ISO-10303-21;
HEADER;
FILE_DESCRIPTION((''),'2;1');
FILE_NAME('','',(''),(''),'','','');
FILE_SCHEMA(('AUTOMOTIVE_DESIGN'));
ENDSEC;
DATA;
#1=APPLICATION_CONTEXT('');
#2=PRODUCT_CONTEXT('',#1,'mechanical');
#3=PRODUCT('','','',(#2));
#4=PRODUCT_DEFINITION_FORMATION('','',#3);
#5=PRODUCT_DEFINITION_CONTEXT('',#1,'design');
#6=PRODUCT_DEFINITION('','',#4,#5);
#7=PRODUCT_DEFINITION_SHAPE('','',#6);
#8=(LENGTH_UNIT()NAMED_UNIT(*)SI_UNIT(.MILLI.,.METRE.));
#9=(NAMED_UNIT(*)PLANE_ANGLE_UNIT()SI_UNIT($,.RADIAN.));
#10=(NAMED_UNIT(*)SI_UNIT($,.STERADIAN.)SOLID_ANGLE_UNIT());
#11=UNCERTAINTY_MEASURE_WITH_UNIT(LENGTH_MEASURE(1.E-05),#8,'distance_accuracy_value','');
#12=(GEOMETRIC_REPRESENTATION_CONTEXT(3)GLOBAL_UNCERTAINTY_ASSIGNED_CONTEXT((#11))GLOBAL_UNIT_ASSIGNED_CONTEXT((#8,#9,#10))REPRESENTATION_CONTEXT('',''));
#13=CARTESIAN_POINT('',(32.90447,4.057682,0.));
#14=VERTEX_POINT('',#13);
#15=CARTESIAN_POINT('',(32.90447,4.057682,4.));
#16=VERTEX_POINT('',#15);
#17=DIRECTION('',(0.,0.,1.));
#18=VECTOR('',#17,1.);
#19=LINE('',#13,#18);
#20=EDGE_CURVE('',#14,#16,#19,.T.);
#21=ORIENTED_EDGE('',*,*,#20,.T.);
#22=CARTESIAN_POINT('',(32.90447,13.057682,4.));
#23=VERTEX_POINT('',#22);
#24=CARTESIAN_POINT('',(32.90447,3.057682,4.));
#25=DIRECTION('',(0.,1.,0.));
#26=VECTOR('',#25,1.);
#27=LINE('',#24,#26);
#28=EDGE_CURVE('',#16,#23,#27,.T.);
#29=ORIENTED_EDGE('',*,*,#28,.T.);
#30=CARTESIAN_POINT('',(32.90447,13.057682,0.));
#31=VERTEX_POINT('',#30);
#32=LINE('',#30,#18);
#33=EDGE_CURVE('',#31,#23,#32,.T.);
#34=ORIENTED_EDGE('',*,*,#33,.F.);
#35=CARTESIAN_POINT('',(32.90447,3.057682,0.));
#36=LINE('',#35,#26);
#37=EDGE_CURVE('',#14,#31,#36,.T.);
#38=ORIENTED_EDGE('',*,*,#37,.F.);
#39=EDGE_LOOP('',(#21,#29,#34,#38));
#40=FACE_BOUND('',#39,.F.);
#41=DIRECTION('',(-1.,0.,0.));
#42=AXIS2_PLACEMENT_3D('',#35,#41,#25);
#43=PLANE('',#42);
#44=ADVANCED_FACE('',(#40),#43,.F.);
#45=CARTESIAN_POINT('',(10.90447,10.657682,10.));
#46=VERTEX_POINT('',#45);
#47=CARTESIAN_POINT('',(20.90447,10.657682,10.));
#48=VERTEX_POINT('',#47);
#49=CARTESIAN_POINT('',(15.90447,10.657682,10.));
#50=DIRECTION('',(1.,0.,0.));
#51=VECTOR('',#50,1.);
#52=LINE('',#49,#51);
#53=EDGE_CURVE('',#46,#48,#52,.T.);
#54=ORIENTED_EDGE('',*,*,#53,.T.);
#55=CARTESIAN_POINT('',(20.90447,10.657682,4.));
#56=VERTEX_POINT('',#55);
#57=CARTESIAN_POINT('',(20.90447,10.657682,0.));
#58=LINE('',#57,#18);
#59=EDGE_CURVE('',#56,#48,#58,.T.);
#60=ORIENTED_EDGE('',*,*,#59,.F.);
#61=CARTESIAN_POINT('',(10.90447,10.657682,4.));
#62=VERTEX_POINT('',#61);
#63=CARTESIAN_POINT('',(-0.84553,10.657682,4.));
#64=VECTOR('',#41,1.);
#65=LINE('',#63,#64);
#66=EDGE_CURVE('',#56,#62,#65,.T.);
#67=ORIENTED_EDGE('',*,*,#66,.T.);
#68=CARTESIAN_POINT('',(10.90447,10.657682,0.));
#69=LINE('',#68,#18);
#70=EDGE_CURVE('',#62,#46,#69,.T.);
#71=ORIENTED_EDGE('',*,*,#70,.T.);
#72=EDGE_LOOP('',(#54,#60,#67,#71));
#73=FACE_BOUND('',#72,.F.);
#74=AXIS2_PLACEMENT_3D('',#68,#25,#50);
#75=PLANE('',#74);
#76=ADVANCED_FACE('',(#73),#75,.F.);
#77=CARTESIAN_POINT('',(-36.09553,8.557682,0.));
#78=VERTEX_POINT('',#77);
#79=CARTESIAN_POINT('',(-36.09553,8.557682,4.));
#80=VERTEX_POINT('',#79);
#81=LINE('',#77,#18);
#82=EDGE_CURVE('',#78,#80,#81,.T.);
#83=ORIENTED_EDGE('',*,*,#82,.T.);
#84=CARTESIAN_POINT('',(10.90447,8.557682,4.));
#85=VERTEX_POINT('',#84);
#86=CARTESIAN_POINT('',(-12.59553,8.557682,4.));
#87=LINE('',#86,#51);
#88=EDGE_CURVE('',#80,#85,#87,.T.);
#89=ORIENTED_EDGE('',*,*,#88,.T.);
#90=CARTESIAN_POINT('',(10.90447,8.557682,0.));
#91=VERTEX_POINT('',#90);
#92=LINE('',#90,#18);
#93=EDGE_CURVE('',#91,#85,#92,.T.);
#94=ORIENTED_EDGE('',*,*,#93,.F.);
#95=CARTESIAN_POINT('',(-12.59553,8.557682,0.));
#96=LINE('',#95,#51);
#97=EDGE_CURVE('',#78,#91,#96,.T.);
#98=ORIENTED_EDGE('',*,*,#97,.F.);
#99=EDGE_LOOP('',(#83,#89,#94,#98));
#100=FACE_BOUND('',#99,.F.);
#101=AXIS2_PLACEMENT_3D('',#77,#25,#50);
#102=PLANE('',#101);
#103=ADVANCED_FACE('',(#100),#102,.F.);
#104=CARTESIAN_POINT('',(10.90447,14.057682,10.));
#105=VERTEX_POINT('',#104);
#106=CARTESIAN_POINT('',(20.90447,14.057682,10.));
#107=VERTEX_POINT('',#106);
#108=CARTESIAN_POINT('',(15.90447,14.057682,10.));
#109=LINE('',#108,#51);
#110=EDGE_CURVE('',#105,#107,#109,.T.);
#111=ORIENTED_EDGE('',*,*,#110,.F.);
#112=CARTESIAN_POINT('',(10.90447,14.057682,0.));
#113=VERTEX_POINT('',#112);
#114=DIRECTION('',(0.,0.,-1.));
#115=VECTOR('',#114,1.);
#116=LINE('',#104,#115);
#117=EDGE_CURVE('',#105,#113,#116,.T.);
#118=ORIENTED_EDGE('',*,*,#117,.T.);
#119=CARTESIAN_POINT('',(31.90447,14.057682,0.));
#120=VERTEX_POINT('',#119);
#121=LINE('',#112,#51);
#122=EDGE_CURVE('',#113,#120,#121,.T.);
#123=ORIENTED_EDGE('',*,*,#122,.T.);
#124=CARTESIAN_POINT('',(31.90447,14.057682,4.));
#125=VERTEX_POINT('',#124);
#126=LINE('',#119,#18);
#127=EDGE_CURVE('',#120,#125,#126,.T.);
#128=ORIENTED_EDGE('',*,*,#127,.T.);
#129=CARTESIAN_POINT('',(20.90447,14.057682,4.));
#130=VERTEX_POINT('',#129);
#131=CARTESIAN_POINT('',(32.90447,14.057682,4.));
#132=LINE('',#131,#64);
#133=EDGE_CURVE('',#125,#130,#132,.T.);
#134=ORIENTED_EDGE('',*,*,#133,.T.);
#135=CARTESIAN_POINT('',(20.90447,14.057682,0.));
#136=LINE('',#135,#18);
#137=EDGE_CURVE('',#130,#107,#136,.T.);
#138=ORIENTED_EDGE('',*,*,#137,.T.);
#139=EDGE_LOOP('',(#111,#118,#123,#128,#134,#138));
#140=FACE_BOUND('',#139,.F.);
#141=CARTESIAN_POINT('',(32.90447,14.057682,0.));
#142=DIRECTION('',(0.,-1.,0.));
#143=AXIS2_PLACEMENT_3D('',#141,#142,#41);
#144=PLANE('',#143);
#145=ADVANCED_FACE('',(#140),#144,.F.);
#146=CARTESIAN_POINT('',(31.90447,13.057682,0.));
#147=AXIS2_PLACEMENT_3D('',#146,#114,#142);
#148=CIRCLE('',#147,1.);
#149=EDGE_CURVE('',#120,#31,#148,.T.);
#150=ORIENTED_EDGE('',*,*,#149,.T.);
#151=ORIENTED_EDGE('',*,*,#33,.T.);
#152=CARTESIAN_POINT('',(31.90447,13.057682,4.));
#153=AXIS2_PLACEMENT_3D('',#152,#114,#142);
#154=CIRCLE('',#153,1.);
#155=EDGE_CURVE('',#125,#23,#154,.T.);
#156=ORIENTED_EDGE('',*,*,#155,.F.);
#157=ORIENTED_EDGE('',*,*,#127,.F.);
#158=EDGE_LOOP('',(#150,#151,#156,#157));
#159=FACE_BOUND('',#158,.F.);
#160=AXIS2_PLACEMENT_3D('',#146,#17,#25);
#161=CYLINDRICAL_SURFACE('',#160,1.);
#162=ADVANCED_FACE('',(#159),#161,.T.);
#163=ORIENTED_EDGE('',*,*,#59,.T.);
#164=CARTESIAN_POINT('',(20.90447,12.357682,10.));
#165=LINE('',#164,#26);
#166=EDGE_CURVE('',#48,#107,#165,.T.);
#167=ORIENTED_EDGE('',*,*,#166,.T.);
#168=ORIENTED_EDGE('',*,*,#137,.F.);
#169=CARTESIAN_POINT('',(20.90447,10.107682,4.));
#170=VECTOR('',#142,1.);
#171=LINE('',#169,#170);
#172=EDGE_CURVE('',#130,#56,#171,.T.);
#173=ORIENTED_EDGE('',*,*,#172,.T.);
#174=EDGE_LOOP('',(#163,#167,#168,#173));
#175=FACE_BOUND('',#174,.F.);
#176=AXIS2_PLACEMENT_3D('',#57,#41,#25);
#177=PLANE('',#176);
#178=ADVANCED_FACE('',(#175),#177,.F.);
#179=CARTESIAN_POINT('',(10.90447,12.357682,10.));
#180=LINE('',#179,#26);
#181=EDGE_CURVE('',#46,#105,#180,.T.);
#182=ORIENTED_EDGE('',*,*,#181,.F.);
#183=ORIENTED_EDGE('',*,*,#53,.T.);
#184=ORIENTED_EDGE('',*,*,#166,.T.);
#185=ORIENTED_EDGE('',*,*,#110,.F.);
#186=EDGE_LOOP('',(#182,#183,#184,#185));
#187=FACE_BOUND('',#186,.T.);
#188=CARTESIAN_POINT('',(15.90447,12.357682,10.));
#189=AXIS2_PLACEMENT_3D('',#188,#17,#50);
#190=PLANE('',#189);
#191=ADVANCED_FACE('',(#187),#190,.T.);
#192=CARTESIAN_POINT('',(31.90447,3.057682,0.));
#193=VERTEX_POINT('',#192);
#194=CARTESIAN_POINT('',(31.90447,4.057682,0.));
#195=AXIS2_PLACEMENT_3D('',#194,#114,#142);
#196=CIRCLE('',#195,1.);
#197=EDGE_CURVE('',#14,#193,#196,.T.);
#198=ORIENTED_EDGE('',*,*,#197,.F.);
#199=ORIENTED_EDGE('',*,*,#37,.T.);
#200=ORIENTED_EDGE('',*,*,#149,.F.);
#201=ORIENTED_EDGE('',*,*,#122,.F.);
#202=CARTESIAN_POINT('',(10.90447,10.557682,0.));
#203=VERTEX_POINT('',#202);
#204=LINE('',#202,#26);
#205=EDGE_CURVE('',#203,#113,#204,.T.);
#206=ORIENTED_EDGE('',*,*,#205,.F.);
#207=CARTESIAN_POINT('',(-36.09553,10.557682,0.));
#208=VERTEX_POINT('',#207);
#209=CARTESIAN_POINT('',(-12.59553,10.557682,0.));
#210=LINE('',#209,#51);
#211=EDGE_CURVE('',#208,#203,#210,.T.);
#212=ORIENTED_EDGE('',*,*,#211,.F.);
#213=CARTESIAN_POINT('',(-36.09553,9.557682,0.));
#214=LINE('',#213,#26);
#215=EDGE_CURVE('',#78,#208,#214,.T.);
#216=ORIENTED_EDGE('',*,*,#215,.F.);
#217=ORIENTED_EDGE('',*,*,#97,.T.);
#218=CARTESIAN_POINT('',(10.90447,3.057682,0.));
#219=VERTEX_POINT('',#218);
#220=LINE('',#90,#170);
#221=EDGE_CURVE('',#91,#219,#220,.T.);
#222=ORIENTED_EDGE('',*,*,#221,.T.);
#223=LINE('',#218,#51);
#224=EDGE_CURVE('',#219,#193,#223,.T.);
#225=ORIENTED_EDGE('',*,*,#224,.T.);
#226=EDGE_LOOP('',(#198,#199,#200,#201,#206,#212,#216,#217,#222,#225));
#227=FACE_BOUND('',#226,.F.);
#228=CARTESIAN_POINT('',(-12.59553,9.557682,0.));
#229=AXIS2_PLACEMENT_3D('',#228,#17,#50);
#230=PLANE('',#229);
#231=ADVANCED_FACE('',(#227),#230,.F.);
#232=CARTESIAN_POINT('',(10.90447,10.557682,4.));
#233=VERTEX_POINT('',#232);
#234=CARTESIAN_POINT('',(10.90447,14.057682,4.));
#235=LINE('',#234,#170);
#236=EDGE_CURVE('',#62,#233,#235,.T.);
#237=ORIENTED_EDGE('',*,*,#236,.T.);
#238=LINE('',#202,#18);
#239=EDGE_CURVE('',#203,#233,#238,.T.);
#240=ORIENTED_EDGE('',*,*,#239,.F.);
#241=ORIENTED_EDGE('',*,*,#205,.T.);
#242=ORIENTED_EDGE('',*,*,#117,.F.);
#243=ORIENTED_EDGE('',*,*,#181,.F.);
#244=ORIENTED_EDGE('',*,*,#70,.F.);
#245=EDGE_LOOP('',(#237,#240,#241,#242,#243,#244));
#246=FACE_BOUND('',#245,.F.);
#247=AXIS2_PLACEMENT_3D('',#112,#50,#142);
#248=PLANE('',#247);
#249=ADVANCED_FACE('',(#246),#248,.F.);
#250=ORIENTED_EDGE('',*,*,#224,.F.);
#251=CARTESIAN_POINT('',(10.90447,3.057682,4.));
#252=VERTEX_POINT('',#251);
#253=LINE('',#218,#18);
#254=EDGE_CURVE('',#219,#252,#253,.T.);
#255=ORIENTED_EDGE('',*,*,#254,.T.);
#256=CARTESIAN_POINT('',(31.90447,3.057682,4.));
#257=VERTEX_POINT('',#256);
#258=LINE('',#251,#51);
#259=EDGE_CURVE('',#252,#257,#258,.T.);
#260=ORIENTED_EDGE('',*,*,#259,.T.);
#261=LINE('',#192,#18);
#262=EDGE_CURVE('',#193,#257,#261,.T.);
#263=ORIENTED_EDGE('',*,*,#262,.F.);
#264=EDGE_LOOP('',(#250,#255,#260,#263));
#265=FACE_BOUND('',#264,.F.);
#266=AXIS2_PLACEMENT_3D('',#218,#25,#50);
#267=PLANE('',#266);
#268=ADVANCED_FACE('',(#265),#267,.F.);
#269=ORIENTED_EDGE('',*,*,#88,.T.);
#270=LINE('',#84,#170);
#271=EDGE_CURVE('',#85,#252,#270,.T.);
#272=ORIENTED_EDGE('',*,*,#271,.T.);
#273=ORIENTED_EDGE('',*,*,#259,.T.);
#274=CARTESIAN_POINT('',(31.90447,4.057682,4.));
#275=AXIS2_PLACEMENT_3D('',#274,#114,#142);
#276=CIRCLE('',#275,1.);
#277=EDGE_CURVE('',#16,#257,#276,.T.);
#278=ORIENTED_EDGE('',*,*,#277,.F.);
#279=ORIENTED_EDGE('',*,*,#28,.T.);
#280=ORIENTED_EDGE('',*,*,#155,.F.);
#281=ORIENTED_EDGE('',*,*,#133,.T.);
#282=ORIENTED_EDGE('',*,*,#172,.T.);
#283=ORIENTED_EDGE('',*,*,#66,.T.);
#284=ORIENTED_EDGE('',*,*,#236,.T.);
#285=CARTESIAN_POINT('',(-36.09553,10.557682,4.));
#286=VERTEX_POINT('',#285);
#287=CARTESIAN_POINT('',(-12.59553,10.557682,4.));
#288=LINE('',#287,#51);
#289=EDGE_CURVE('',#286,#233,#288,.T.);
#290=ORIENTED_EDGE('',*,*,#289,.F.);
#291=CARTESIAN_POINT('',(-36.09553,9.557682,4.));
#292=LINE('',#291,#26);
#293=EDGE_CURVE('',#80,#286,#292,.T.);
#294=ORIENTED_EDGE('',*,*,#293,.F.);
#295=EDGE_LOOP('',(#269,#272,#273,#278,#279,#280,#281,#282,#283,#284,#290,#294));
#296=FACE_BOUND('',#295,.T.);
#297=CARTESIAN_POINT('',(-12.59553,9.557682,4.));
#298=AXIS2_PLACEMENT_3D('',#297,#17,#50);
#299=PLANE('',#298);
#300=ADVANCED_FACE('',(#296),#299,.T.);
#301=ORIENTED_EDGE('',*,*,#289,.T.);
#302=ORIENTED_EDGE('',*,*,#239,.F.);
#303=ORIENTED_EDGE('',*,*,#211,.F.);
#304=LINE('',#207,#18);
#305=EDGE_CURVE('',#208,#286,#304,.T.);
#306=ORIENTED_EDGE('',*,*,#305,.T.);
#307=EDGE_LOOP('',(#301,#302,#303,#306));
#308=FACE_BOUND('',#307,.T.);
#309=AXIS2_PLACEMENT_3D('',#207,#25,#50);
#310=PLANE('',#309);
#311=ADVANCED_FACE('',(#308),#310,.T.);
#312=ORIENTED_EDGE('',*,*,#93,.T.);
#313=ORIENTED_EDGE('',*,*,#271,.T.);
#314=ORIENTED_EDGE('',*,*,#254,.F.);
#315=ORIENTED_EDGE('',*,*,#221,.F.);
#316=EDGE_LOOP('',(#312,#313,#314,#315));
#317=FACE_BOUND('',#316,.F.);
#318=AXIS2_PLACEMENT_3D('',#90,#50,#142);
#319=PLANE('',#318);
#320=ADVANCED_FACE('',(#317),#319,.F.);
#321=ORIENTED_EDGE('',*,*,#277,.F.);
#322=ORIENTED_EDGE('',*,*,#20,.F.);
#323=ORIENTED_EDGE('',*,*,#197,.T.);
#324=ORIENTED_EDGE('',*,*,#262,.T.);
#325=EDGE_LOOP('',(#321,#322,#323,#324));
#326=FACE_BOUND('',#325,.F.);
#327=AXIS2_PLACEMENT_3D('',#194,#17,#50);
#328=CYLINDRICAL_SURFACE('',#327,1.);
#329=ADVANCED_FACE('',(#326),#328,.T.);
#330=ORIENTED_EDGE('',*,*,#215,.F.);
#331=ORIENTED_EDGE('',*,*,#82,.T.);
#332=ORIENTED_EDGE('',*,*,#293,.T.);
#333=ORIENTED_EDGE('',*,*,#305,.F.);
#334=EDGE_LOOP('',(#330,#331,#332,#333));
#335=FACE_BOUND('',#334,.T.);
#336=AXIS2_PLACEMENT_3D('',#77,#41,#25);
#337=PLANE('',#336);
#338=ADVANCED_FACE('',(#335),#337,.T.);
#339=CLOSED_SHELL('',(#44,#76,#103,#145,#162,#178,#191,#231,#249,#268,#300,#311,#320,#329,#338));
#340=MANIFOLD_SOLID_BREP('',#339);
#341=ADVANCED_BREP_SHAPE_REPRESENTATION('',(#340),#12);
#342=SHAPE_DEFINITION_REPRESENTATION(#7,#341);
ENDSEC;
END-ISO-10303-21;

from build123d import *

# Parameters (mm, degrees)
F0_W     = 47
F0_H     = 2
F0_W_2   = 10
F0_H_2   = 3.4
F1_DEPTH = 4
F2_DEPTH = 10
F3_R     = 1


with BuildPart() as f1:
    # F0 (on Top) → F1 (new body)
    with BuildSketch(Plane.XY):
        with Locations((-12.59553, 9.557682)):
            Rectangle(F0_W, F0_H)
        Polygon((10.90447, 10.657682), (10.90447, 10.557682), (10.90447, 8.557682), (10.90447, 3.057682), (32.90447, 3.057682), (32.90447, 14.057682), (20.90447, 14.057682), (20.90447, 10.657682), align=None)
        with Locations((15.90447, 12.357682)):
            Rectangle(F0_W_2, F0_H_2)
    extrude(amount=F1_DEPTH)

    # F0 (on Top) → F2 (join)
    with BuildSketch(Plane.XY):
        with Locations((15.90447, 12.357682)):
            Rectangle(F0_W_2, F0_H_2)
    extrude(amount=F2_DEPTH)

    # F3
    f3_edges = [f1.edges().sort_by_distance(p)[0] for p in [
        (32.90447, 3.057682, 2),
        (32.90447, 14.057682, 2),
    ]]
    fillet(f3_edges, radius=F3_R)


solid = f1.part
